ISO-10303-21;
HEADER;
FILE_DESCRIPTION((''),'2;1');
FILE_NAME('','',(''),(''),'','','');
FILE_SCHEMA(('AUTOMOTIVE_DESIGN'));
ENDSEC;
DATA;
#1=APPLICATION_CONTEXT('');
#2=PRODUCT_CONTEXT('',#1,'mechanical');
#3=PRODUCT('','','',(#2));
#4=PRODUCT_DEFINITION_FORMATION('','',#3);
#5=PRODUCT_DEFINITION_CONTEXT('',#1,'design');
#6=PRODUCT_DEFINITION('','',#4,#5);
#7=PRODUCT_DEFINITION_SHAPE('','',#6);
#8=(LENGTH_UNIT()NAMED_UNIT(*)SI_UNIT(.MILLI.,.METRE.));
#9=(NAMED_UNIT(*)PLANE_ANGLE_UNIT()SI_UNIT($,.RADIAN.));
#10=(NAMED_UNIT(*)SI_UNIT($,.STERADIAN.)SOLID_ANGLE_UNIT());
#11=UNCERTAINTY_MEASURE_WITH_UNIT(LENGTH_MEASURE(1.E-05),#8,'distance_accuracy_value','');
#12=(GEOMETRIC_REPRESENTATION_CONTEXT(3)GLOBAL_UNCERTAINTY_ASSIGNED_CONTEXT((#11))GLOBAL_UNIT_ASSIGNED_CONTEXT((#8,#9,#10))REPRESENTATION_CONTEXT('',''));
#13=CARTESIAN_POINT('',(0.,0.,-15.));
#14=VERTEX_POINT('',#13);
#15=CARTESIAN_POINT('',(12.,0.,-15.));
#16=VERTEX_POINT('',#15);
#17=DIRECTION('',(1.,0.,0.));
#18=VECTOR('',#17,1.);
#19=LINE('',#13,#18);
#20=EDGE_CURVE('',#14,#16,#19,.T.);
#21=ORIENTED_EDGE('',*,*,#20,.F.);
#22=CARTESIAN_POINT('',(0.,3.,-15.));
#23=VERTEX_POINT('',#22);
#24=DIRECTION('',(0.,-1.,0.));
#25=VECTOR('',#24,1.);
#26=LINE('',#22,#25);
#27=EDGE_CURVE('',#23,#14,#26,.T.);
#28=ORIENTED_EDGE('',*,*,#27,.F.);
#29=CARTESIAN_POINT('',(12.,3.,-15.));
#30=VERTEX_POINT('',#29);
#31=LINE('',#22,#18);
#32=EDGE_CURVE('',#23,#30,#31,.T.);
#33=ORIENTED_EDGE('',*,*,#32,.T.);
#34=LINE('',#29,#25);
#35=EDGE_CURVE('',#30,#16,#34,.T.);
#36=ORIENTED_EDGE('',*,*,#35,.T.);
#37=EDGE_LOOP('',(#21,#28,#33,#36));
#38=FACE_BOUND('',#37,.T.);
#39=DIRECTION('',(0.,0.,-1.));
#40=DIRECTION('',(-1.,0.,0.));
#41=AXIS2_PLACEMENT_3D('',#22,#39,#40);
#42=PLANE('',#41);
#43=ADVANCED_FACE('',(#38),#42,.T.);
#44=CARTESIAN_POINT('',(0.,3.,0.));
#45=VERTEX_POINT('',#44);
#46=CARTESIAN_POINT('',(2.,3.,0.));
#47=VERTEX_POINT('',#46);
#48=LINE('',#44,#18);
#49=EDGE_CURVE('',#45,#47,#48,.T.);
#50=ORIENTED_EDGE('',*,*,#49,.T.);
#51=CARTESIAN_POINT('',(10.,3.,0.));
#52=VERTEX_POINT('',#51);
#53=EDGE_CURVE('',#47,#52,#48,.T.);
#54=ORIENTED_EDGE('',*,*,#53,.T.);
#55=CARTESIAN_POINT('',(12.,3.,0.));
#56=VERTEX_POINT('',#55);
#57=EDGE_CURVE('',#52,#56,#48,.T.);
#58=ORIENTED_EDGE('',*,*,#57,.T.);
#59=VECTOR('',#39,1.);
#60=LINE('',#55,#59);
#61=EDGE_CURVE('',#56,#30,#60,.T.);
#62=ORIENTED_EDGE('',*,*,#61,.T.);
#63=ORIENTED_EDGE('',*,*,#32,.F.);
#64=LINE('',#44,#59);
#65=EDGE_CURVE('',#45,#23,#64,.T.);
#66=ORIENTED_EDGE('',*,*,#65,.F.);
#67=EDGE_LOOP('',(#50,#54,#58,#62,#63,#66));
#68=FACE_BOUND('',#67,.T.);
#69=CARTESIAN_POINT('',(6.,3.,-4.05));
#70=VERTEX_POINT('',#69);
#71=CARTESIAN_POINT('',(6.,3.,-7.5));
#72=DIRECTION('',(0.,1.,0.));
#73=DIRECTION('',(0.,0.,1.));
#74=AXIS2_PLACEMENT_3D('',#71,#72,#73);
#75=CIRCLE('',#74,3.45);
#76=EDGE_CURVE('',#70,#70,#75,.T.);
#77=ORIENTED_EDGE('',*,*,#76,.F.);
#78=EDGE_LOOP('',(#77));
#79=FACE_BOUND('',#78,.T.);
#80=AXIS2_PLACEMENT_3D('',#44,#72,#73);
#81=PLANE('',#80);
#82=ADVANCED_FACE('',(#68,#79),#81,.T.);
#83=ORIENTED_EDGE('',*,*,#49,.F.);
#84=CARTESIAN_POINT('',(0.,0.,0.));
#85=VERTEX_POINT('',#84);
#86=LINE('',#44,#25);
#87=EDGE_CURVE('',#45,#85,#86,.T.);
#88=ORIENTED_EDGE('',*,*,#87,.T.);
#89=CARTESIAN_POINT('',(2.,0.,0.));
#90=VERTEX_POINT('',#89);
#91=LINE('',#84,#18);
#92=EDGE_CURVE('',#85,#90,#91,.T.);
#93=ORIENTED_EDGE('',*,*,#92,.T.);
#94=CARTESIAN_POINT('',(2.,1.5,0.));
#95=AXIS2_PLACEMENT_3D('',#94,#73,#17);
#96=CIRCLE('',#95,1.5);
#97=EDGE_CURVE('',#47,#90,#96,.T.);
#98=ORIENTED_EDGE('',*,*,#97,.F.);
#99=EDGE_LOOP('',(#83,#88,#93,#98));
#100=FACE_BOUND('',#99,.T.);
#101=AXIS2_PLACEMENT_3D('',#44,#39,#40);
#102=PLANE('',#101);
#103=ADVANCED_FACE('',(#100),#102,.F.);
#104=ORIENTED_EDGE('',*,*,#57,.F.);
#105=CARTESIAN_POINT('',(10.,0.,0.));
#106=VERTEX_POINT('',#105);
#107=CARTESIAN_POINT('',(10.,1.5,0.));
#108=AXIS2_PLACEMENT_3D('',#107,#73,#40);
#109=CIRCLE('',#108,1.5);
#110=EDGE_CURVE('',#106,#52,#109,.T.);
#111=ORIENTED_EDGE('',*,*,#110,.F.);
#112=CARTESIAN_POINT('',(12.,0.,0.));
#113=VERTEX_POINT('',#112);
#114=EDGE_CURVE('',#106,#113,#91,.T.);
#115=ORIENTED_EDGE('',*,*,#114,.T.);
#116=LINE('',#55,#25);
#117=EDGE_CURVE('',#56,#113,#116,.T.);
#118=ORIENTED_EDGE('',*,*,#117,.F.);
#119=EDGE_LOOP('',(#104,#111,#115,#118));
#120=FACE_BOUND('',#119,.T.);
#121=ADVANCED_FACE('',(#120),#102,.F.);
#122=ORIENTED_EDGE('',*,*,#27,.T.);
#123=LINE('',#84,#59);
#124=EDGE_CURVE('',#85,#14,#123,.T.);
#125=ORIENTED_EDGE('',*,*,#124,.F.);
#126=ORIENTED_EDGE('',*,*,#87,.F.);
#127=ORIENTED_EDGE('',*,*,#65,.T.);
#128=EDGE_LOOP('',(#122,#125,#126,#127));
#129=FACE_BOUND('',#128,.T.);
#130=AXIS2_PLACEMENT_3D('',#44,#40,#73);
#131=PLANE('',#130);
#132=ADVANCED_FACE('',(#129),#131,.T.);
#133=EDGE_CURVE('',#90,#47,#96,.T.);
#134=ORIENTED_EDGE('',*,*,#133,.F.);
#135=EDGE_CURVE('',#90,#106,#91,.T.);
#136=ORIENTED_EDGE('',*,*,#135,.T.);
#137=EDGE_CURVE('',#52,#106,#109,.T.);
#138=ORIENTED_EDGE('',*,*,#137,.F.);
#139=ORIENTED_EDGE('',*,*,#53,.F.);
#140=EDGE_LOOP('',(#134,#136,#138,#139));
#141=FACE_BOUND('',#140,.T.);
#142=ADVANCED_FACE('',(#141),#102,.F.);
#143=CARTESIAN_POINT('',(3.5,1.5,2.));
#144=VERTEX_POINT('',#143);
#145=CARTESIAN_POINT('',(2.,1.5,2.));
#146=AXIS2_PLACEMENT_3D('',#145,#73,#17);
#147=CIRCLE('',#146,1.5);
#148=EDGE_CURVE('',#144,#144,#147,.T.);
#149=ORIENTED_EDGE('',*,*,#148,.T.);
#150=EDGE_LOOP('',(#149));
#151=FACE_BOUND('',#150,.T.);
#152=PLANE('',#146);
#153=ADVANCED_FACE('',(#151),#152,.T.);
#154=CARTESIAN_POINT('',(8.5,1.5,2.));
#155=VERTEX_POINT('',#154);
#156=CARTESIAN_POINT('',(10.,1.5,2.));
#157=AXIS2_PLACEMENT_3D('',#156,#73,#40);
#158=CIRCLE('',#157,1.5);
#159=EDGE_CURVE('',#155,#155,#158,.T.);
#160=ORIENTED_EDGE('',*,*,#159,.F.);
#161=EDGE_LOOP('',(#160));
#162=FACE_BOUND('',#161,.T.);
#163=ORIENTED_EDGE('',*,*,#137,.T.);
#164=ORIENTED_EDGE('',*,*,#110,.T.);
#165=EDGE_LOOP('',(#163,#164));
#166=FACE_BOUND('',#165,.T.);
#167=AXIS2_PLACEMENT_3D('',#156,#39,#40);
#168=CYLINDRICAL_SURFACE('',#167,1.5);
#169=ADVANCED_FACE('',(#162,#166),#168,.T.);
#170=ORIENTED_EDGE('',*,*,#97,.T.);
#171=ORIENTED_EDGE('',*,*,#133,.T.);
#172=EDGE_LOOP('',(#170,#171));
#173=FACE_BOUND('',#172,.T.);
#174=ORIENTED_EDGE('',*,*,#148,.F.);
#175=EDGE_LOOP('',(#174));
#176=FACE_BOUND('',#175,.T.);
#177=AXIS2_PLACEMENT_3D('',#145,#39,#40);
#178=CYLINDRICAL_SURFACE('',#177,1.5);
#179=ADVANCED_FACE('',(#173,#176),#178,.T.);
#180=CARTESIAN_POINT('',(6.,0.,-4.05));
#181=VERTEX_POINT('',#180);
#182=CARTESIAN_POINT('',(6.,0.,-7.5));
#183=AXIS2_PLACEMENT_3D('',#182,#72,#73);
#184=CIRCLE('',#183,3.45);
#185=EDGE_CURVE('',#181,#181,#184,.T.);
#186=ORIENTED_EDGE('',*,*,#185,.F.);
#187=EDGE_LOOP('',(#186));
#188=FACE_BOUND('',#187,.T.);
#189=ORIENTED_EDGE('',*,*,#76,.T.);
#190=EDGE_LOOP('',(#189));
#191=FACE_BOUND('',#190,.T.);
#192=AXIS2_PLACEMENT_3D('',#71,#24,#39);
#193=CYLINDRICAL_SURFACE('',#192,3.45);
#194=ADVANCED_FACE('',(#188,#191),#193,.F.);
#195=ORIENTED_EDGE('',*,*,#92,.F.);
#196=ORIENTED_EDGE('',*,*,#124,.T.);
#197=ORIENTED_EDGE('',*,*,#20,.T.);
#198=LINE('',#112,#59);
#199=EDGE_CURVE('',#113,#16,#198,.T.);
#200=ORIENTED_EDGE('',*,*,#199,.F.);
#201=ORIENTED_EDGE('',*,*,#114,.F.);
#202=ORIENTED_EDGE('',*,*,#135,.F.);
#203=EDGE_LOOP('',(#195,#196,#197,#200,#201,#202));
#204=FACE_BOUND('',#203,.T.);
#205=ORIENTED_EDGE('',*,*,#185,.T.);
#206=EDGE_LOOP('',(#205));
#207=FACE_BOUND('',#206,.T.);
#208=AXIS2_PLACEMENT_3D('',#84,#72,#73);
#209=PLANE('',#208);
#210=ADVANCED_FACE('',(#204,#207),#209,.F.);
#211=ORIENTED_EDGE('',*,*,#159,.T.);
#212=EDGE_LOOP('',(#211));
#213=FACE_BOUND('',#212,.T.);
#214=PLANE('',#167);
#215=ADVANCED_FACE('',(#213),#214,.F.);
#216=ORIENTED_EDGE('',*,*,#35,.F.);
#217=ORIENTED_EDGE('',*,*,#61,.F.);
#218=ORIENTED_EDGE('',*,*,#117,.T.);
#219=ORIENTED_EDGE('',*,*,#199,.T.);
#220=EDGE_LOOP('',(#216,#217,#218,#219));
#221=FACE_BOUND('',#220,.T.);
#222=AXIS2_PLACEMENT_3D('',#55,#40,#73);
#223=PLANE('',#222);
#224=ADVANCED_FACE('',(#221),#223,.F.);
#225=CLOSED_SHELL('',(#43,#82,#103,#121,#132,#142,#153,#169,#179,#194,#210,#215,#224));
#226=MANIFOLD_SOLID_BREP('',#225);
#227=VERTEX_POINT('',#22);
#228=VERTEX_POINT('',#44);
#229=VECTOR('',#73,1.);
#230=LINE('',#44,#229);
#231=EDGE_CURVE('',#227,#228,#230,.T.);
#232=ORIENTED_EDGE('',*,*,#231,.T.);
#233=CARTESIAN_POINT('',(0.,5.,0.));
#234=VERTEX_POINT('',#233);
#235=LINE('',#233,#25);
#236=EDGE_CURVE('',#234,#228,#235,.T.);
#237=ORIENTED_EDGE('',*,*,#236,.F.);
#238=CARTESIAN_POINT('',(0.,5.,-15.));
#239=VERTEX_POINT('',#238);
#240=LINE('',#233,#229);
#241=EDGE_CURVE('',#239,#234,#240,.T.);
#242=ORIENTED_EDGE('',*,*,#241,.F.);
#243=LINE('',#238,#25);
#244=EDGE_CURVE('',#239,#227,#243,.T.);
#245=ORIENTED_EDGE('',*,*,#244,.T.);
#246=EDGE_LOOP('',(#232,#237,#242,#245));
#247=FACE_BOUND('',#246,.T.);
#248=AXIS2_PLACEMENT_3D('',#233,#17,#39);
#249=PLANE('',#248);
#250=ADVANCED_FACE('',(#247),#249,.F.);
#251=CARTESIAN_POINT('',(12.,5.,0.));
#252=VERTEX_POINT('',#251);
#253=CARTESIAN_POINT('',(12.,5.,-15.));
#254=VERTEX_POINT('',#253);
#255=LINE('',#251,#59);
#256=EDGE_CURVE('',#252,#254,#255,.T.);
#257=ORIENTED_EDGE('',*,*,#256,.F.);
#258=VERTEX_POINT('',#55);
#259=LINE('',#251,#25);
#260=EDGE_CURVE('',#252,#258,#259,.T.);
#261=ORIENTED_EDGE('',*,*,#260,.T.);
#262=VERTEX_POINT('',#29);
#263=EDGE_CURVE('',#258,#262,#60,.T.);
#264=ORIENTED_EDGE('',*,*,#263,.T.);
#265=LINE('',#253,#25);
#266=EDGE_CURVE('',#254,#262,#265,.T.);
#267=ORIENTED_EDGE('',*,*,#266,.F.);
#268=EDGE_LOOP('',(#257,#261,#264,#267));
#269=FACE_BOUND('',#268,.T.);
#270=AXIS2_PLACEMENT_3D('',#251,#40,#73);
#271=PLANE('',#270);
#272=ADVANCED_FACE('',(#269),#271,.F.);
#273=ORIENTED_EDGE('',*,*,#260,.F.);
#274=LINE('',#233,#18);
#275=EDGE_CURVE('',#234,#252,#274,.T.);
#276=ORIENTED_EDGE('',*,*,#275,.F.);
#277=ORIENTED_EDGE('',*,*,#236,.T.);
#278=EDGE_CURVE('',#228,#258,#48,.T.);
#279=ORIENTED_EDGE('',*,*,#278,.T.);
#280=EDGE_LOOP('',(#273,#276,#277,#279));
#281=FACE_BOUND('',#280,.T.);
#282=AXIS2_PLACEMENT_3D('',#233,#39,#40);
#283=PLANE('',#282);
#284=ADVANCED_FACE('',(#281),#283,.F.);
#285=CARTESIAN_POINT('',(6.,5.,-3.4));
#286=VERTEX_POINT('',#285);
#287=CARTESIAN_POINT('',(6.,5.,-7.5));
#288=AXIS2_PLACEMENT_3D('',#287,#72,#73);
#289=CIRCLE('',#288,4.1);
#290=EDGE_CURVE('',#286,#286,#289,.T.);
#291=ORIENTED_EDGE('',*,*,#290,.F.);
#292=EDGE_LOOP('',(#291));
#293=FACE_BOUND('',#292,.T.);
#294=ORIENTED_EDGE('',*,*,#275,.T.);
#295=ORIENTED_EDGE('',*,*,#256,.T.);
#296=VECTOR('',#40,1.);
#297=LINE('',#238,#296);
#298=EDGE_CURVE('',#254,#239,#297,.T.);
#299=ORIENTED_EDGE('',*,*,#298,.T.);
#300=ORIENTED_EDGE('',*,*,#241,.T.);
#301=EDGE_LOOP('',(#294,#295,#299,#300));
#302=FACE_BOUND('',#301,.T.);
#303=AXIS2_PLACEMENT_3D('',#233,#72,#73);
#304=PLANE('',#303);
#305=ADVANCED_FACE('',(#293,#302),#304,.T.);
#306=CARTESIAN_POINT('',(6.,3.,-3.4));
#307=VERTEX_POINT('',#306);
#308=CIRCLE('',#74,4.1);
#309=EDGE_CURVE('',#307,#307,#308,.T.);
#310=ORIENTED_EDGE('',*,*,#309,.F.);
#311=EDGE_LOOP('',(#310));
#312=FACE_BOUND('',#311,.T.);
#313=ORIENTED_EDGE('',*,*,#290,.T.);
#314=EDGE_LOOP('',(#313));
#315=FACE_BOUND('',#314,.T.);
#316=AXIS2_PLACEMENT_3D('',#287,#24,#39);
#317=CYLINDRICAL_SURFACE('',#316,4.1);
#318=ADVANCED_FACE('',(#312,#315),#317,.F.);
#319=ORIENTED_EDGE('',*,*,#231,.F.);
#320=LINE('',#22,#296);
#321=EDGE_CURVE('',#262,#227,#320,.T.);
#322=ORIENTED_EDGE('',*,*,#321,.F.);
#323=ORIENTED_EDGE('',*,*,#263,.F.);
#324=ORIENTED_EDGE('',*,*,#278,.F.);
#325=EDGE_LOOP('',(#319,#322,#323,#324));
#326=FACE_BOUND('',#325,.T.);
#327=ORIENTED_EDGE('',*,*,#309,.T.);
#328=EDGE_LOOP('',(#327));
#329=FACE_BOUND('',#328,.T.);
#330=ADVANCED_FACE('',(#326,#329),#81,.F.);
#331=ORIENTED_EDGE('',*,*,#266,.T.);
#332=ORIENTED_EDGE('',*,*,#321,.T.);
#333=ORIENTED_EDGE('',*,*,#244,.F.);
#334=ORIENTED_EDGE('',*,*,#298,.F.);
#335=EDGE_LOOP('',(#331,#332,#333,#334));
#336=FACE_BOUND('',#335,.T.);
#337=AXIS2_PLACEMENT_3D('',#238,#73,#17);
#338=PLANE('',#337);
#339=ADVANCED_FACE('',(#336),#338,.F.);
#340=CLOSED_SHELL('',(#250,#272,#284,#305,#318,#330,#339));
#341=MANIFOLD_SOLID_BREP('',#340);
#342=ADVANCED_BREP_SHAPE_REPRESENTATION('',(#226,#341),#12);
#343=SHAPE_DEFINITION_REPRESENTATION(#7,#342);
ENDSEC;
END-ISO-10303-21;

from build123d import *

# Parameters (mm, degrees)
SKETCH_1_W      = 12
SKETCH_1_H      = 15
SKETCH_1_R      = 3.45
EXTRUDE_1_DEPTH = 3
SKETCH_3_W      = 12
SKETCH_3_H      = 15
SKETCH_3_R      = 4.1
EXTRUDE_2_DEPTH = 2
SKETCH_7_R      = 1.5
EXTRUDE_3_DEPTH = 2


with BuildPart() as part:
    # 草图1 → 凸台-拉伸1 (new body)
    with BuildSketch(Plane(origin=(0, 0, 0), x_dir=(1, 0, 0), z_dir=(0, 1, 0))):
        with Locations((6, 7.5)):
            Rectangle(SKETCH_1_W, SKETCH_1_H)
        with Locations(Location((6, 7.5, 0), (0, 0, 270))):
            Circle(SKETCH_1_R, mode=Mode.SUBTRACT)
    extrude(amount=EXTRUDE_1_DEPTH)

    # 草图7 → 凸台-拉伸3 (add)
    with BuildSketch(Plane.XY):
        with Locations(Location((2, 1.5, 0), (0, 0, 270))):
            Circle(SKETCH_7_R)
        with Locations(Location((10, 1.5, 0), (0, 0, 180))):
            Circle(SKETCH_7_R)
    extrude(amount=EXTRUDE_3_DEPTH)


with BuildPart() as body_2:
    # 草图3 → 凸台-拉伸2 (new body)
    with BuildSketch(Plane(origin=(0, 3, 0), x_dir=(1, 0, 0), z_dir=(0, 1, 0))):
        with Locations((6, 7.5)):
            Rectangle(SKETCH_3_W, SKETCH_3_H)
        with Locations(Location((6, 7.5, 0), (0, 0, 270))):
            Circle(SKETCH_3_R, mode=Mode.SUBTRACT)
    extrude(amount=EXTRUDE_2_DEPTH)


solid = Compound([part.part, body_2.part])
